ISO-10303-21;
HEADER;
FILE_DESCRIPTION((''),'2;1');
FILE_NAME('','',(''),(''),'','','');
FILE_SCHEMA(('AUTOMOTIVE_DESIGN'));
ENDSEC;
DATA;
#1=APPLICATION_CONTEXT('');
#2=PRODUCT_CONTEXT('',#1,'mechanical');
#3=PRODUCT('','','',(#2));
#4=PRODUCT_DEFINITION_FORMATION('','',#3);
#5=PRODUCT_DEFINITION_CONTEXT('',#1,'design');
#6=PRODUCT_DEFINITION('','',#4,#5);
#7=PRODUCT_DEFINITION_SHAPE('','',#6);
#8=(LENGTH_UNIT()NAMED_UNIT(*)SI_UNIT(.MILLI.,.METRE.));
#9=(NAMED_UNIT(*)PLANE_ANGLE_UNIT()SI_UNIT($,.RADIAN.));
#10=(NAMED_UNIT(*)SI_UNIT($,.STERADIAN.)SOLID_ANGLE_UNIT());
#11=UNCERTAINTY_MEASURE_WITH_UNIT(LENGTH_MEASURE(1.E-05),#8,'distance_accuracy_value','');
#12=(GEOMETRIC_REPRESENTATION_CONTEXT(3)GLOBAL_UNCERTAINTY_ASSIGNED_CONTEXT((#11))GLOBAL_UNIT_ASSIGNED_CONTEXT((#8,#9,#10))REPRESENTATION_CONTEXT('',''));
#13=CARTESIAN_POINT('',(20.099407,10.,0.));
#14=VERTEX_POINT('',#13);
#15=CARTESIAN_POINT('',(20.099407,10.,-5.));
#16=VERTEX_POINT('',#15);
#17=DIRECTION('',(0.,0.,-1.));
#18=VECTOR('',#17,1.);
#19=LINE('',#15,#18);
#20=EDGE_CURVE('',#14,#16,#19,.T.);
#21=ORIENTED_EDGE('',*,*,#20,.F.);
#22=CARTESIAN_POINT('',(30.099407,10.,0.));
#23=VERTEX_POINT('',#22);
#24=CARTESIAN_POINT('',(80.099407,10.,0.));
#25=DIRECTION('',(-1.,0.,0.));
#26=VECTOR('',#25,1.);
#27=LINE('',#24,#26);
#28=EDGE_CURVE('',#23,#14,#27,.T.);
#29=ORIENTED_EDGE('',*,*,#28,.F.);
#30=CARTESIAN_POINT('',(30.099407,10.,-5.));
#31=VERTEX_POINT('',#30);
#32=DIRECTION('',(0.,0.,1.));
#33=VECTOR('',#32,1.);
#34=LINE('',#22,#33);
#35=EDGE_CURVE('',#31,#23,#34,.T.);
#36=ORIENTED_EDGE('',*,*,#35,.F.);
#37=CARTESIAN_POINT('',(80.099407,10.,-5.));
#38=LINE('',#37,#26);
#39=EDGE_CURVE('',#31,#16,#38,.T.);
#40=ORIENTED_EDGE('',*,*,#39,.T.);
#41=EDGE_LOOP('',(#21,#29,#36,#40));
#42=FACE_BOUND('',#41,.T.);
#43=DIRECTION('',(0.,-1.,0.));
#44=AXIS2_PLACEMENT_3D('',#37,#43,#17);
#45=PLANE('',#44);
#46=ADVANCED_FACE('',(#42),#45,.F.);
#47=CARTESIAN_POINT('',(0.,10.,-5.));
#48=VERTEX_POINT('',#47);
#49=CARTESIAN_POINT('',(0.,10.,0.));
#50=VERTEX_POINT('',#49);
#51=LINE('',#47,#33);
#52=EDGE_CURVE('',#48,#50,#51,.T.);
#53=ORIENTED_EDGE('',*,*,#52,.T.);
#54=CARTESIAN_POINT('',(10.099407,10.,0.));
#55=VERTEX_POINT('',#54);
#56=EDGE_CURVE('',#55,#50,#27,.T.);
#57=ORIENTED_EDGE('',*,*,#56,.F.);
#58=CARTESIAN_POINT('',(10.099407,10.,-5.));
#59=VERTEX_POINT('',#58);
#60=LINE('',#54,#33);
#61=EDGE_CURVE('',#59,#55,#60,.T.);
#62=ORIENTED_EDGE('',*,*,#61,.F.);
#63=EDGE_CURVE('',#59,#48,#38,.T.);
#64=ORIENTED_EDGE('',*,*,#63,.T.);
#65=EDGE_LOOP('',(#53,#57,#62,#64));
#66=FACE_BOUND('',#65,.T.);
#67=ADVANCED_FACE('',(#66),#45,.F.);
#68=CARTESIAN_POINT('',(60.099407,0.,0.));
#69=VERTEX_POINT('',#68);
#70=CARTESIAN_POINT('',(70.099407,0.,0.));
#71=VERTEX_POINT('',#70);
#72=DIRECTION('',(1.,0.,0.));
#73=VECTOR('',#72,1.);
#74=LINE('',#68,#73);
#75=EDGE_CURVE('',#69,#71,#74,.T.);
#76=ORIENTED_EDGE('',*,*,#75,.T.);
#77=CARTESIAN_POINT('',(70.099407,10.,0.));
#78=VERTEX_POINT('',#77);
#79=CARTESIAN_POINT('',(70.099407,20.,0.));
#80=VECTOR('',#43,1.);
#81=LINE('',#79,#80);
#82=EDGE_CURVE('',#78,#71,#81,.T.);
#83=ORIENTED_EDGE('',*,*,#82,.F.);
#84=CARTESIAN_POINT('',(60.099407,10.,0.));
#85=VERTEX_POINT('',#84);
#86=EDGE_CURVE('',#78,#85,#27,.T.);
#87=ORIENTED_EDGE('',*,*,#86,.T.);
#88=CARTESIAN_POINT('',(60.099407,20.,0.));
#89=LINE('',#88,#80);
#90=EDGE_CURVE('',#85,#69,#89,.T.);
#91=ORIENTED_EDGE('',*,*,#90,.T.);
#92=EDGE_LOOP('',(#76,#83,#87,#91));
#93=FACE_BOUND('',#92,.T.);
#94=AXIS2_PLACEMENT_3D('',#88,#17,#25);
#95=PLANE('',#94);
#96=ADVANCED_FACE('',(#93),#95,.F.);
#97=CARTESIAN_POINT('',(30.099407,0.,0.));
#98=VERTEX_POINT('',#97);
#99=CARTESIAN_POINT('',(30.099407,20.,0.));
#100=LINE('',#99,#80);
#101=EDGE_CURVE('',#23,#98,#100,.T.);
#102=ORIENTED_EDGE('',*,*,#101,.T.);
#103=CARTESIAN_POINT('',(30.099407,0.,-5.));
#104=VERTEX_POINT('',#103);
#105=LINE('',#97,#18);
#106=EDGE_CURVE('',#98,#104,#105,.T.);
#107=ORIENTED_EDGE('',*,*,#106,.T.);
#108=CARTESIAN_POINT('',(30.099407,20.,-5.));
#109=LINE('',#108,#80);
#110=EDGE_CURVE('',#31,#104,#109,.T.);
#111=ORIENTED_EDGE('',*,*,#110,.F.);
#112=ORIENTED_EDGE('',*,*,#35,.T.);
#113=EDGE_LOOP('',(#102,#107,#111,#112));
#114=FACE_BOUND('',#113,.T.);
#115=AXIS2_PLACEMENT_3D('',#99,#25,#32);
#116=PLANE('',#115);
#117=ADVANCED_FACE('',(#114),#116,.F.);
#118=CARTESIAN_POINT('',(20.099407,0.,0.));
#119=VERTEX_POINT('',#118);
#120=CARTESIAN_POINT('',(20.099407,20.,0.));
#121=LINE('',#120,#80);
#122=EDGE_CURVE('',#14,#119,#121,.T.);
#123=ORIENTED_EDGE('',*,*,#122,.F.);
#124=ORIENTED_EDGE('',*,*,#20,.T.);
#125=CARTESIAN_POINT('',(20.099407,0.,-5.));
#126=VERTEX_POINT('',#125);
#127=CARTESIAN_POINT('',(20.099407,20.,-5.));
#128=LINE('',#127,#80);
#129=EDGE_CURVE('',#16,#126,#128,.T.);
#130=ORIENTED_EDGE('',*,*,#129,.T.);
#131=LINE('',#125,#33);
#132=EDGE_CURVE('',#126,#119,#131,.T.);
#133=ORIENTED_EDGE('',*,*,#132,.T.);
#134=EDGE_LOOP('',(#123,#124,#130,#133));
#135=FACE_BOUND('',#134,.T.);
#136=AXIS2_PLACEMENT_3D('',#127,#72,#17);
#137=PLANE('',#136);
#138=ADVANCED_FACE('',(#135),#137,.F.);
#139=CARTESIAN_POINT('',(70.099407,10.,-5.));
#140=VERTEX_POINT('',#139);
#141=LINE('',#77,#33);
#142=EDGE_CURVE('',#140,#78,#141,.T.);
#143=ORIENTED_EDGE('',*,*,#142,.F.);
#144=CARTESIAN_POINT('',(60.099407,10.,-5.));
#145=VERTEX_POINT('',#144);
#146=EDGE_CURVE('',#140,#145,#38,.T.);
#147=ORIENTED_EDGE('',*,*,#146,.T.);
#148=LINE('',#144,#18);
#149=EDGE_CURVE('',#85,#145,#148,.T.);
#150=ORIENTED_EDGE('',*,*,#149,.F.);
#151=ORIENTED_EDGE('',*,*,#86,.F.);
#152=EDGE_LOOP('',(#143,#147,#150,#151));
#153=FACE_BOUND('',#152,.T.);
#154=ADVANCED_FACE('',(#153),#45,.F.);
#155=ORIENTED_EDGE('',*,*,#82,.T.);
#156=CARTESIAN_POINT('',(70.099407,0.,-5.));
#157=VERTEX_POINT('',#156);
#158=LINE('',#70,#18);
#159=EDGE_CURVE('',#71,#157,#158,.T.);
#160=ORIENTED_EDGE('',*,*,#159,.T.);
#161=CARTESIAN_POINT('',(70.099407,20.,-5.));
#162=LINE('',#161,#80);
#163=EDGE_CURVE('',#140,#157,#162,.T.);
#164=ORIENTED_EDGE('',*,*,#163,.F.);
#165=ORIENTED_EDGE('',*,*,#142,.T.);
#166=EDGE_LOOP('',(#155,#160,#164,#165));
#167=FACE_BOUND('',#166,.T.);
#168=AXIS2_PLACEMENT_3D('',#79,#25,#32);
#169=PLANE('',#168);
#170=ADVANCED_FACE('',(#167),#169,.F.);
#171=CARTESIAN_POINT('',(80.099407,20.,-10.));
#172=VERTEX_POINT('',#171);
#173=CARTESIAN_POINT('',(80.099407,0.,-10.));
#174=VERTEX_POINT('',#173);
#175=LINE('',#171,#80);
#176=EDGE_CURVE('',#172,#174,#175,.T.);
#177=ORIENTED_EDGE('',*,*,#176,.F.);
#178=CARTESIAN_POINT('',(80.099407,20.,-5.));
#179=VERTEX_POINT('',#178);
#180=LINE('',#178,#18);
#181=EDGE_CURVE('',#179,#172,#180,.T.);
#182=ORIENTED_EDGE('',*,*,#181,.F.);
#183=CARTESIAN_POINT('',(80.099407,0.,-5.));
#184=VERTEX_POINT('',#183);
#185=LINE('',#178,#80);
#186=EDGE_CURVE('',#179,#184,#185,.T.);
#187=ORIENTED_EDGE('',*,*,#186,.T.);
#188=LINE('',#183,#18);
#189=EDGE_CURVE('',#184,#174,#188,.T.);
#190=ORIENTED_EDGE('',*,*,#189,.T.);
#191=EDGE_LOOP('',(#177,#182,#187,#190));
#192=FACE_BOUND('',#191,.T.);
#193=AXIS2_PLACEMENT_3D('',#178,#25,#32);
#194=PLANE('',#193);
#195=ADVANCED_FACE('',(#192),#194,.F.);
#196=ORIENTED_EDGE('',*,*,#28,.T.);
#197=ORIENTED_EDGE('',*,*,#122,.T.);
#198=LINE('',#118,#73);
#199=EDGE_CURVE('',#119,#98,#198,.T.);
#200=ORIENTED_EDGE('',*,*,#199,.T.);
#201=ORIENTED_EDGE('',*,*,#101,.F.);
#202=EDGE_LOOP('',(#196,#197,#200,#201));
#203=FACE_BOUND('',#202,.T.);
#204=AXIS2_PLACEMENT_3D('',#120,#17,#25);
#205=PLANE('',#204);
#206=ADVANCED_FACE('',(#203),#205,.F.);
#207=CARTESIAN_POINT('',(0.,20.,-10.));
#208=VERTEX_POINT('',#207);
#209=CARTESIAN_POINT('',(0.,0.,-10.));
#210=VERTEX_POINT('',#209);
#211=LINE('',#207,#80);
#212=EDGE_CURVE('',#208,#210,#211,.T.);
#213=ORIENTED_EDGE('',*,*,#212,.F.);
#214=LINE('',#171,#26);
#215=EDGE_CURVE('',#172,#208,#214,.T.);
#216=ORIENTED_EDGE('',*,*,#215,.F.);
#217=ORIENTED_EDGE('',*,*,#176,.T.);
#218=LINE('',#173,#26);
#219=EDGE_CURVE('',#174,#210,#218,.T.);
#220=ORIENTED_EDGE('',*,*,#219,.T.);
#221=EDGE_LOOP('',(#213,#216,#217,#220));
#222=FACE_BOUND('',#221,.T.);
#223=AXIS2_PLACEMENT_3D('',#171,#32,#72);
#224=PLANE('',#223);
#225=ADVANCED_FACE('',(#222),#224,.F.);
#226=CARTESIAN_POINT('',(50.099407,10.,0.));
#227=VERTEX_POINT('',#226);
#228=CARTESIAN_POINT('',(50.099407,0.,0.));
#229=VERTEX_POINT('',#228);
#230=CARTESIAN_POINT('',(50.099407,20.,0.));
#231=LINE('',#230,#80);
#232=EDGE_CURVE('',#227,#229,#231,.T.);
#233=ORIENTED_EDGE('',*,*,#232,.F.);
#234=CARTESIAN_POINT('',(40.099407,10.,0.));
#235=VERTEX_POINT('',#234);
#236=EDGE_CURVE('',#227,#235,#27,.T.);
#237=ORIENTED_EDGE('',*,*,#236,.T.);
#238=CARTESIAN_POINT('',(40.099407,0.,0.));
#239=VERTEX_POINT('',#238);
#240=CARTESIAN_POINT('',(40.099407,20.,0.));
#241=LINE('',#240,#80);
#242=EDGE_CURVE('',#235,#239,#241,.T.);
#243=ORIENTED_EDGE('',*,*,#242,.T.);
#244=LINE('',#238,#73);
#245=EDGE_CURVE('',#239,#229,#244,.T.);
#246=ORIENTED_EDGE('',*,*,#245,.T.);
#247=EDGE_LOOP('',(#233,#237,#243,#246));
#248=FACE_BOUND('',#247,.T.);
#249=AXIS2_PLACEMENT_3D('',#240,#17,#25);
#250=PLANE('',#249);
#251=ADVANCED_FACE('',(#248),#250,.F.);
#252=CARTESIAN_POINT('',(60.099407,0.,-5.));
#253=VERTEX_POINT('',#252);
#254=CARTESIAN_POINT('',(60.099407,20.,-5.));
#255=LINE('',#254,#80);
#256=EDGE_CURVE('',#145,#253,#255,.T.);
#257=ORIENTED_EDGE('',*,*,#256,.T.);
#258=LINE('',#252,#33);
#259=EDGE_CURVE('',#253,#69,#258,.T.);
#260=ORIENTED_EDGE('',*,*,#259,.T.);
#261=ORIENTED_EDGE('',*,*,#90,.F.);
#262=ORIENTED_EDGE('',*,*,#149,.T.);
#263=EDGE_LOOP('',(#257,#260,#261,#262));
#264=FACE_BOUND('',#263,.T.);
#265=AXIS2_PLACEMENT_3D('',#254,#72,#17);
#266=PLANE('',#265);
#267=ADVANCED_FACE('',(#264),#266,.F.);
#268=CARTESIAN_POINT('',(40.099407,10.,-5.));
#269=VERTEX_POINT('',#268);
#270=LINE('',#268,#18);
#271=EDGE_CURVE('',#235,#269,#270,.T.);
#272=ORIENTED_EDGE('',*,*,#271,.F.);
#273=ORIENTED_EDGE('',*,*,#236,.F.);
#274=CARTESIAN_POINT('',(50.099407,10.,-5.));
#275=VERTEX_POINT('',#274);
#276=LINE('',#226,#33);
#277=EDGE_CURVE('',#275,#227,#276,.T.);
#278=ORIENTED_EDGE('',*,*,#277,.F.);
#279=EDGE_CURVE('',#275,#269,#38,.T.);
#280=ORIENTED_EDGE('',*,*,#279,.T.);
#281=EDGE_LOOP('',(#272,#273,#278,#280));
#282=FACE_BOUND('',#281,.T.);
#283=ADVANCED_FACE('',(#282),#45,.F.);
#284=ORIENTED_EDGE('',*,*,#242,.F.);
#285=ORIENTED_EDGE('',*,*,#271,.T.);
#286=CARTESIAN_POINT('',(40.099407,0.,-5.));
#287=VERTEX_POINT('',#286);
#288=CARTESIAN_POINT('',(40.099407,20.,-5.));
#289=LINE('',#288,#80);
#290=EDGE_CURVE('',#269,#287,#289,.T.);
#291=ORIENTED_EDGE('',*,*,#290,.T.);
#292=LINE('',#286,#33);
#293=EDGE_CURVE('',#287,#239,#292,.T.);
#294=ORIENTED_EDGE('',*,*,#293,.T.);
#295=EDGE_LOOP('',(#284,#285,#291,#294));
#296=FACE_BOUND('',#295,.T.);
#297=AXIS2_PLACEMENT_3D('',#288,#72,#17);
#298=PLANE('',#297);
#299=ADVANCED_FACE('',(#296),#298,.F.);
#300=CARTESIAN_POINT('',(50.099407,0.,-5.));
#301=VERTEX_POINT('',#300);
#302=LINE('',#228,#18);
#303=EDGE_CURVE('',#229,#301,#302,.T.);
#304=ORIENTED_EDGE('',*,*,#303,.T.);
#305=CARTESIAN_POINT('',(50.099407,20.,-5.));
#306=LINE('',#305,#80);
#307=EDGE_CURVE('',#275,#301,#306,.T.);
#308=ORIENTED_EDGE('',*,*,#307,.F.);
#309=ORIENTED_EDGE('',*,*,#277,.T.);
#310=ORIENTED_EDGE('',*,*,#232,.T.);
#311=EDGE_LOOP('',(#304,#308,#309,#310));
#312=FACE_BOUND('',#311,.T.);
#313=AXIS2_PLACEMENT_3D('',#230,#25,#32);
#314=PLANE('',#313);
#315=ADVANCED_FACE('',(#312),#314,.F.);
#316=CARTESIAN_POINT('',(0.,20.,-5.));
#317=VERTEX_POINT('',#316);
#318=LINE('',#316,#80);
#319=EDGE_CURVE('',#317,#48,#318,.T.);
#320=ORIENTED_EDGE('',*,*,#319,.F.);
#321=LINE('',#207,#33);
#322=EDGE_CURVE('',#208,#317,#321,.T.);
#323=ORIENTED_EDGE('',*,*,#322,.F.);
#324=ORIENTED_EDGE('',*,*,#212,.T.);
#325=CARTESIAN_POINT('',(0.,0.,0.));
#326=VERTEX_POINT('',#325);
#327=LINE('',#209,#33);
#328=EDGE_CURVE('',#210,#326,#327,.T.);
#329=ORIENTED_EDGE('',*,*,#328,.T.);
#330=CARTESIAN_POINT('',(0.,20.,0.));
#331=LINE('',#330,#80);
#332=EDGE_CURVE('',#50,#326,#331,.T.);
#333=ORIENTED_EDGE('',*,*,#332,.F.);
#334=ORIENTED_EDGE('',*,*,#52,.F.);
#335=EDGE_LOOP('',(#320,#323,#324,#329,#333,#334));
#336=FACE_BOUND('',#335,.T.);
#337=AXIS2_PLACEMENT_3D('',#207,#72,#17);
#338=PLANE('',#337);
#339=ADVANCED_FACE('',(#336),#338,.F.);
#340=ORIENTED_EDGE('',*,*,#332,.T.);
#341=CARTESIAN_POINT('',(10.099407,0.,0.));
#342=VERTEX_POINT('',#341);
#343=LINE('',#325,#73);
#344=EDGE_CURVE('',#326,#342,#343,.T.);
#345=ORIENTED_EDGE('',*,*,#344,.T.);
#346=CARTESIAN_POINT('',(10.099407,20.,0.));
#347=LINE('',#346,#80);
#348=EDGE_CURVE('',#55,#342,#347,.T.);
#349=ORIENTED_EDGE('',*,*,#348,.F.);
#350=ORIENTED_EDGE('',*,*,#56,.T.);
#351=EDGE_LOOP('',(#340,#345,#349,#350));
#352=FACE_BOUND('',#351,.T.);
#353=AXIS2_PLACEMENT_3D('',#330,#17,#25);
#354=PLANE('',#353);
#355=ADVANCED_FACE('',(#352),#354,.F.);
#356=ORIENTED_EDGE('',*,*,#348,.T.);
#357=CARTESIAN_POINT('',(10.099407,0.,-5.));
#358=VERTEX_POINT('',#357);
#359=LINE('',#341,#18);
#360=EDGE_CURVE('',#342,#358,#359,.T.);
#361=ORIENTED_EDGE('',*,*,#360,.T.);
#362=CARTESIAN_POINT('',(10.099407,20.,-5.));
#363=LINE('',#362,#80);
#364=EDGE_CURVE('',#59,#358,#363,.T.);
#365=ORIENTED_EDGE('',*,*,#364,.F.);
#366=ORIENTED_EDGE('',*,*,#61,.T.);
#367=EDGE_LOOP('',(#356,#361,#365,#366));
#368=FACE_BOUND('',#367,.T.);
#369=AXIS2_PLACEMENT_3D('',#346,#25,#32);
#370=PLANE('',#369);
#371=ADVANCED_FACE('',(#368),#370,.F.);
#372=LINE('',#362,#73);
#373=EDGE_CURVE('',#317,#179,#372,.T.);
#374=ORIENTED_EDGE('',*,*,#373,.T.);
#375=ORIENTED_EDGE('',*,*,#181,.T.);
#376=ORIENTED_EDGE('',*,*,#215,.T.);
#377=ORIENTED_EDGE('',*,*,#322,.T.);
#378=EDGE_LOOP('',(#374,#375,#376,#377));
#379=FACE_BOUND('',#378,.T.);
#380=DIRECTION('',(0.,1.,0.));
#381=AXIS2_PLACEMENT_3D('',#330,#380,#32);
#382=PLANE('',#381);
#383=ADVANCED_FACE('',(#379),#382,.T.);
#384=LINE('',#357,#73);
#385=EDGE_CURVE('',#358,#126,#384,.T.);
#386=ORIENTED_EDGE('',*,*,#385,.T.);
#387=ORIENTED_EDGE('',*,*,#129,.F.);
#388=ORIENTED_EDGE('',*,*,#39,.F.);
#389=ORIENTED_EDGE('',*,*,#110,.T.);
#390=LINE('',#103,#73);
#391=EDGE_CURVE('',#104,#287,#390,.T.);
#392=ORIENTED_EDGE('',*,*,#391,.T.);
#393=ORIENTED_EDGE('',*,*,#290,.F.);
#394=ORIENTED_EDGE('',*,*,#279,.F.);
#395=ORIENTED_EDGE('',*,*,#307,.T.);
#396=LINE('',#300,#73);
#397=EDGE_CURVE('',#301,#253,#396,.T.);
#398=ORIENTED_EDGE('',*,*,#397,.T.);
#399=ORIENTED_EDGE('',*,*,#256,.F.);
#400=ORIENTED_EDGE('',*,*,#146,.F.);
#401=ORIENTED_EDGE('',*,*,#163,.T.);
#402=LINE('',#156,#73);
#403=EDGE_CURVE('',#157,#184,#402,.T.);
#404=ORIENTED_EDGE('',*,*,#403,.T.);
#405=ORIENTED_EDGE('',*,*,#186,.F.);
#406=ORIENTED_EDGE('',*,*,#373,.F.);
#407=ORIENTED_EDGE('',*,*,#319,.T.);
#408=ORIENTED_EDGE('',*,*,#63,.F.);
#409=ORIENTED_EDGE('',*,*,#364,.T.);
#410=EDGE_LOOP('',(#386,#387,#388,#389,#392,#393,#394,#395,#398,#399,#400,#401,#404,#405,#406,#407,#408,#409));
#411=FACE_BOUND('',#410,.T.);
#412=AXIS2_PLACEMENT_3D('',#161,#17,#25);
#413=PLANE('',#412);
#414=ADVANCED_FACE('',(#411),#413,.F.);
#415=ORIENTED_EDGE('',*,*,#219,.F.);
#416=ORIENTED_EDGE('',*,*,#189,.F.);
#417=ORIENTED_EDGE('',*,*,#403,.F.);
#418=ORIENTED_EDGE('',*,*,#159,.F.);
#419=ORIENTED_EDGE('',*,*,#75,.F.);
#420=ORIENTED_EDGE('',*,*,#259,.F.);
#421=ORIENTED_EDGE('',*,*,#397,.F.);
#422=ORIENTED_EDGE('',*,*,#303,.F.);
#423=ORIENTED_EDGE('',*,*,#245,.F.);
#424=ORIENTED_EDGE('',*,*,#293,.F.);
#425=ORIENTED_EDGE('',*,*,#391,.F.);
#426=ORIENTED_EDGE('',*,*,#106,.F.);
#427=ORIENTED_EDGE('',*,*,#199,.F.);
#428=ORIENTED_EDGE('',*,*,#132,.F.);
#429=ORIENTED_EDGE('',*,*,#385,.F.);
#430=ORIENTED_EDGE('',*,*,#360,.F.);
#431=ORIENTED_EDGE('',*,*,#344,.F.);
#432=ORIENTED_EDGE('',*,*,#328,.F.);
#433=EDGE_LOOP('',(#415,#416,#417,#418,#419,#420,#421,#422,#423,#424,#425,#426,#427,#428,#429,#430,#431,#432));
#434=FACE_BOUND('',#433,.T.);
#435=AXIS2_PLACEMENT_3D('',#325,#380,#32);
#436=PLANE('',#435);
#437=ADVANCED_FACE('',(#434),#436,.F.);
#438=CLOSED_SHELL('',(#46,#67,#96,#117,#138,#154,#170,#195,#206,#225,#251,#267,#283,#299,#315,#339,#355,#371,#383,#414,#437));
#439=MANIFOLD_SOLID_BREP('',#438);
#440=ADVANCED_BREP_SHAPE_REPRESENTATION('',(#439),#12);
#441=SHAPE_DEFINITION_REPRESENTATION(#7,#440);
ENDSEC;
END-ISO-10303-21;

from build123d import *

# Parameters (mm, degrees)
EXTRUDE_1_DEPTH     = 20
SKETCH_2_W          = 5
SKETCH_2_H          = 10
CUT_EXTRUDE_1_DEPTH = 81.099407002


with BuildPart() as part:
    # Эскиз1 → Бобышка-Вытянуть1 (new body)
    with BuildSketch(Plane(origin=(0, 0, 0), x_dir=(1, 0, 0), z_dir=(0, 1, 0))):
        Polygon((0, 0), (10.099407002, 0), (10.099407002, 5), (20.099407002, 5), (20.099407002, 0), (30.099407002, 0), (30.099407002, 5), (40.099407002, 5), (40.099407002, 0), (50.099407002, 0), (50.099407002, 5), (60.099407002, 5), (60.099407002, 0), (70.099407002, 0), (70.099407002, 5), (80.099407002, 5), (80.099407002, 10), (0, 10), align=None)
    extrude(amount=EXTRUDE_1_DEPTH)

    # Эскиз2 → Вырез-Вытянуть1 (cut, through all)
    with BuildSketch(Plane.ZY):
        with Locations((-2.5, 15)):
            Rectangle(SKETCH_2_W, SKETCH_2_H)
    extrude(amount=-CUT_EXTRUDE_1_DEPTH, mode=Mode.SUBTRACT)


solid = part.part
